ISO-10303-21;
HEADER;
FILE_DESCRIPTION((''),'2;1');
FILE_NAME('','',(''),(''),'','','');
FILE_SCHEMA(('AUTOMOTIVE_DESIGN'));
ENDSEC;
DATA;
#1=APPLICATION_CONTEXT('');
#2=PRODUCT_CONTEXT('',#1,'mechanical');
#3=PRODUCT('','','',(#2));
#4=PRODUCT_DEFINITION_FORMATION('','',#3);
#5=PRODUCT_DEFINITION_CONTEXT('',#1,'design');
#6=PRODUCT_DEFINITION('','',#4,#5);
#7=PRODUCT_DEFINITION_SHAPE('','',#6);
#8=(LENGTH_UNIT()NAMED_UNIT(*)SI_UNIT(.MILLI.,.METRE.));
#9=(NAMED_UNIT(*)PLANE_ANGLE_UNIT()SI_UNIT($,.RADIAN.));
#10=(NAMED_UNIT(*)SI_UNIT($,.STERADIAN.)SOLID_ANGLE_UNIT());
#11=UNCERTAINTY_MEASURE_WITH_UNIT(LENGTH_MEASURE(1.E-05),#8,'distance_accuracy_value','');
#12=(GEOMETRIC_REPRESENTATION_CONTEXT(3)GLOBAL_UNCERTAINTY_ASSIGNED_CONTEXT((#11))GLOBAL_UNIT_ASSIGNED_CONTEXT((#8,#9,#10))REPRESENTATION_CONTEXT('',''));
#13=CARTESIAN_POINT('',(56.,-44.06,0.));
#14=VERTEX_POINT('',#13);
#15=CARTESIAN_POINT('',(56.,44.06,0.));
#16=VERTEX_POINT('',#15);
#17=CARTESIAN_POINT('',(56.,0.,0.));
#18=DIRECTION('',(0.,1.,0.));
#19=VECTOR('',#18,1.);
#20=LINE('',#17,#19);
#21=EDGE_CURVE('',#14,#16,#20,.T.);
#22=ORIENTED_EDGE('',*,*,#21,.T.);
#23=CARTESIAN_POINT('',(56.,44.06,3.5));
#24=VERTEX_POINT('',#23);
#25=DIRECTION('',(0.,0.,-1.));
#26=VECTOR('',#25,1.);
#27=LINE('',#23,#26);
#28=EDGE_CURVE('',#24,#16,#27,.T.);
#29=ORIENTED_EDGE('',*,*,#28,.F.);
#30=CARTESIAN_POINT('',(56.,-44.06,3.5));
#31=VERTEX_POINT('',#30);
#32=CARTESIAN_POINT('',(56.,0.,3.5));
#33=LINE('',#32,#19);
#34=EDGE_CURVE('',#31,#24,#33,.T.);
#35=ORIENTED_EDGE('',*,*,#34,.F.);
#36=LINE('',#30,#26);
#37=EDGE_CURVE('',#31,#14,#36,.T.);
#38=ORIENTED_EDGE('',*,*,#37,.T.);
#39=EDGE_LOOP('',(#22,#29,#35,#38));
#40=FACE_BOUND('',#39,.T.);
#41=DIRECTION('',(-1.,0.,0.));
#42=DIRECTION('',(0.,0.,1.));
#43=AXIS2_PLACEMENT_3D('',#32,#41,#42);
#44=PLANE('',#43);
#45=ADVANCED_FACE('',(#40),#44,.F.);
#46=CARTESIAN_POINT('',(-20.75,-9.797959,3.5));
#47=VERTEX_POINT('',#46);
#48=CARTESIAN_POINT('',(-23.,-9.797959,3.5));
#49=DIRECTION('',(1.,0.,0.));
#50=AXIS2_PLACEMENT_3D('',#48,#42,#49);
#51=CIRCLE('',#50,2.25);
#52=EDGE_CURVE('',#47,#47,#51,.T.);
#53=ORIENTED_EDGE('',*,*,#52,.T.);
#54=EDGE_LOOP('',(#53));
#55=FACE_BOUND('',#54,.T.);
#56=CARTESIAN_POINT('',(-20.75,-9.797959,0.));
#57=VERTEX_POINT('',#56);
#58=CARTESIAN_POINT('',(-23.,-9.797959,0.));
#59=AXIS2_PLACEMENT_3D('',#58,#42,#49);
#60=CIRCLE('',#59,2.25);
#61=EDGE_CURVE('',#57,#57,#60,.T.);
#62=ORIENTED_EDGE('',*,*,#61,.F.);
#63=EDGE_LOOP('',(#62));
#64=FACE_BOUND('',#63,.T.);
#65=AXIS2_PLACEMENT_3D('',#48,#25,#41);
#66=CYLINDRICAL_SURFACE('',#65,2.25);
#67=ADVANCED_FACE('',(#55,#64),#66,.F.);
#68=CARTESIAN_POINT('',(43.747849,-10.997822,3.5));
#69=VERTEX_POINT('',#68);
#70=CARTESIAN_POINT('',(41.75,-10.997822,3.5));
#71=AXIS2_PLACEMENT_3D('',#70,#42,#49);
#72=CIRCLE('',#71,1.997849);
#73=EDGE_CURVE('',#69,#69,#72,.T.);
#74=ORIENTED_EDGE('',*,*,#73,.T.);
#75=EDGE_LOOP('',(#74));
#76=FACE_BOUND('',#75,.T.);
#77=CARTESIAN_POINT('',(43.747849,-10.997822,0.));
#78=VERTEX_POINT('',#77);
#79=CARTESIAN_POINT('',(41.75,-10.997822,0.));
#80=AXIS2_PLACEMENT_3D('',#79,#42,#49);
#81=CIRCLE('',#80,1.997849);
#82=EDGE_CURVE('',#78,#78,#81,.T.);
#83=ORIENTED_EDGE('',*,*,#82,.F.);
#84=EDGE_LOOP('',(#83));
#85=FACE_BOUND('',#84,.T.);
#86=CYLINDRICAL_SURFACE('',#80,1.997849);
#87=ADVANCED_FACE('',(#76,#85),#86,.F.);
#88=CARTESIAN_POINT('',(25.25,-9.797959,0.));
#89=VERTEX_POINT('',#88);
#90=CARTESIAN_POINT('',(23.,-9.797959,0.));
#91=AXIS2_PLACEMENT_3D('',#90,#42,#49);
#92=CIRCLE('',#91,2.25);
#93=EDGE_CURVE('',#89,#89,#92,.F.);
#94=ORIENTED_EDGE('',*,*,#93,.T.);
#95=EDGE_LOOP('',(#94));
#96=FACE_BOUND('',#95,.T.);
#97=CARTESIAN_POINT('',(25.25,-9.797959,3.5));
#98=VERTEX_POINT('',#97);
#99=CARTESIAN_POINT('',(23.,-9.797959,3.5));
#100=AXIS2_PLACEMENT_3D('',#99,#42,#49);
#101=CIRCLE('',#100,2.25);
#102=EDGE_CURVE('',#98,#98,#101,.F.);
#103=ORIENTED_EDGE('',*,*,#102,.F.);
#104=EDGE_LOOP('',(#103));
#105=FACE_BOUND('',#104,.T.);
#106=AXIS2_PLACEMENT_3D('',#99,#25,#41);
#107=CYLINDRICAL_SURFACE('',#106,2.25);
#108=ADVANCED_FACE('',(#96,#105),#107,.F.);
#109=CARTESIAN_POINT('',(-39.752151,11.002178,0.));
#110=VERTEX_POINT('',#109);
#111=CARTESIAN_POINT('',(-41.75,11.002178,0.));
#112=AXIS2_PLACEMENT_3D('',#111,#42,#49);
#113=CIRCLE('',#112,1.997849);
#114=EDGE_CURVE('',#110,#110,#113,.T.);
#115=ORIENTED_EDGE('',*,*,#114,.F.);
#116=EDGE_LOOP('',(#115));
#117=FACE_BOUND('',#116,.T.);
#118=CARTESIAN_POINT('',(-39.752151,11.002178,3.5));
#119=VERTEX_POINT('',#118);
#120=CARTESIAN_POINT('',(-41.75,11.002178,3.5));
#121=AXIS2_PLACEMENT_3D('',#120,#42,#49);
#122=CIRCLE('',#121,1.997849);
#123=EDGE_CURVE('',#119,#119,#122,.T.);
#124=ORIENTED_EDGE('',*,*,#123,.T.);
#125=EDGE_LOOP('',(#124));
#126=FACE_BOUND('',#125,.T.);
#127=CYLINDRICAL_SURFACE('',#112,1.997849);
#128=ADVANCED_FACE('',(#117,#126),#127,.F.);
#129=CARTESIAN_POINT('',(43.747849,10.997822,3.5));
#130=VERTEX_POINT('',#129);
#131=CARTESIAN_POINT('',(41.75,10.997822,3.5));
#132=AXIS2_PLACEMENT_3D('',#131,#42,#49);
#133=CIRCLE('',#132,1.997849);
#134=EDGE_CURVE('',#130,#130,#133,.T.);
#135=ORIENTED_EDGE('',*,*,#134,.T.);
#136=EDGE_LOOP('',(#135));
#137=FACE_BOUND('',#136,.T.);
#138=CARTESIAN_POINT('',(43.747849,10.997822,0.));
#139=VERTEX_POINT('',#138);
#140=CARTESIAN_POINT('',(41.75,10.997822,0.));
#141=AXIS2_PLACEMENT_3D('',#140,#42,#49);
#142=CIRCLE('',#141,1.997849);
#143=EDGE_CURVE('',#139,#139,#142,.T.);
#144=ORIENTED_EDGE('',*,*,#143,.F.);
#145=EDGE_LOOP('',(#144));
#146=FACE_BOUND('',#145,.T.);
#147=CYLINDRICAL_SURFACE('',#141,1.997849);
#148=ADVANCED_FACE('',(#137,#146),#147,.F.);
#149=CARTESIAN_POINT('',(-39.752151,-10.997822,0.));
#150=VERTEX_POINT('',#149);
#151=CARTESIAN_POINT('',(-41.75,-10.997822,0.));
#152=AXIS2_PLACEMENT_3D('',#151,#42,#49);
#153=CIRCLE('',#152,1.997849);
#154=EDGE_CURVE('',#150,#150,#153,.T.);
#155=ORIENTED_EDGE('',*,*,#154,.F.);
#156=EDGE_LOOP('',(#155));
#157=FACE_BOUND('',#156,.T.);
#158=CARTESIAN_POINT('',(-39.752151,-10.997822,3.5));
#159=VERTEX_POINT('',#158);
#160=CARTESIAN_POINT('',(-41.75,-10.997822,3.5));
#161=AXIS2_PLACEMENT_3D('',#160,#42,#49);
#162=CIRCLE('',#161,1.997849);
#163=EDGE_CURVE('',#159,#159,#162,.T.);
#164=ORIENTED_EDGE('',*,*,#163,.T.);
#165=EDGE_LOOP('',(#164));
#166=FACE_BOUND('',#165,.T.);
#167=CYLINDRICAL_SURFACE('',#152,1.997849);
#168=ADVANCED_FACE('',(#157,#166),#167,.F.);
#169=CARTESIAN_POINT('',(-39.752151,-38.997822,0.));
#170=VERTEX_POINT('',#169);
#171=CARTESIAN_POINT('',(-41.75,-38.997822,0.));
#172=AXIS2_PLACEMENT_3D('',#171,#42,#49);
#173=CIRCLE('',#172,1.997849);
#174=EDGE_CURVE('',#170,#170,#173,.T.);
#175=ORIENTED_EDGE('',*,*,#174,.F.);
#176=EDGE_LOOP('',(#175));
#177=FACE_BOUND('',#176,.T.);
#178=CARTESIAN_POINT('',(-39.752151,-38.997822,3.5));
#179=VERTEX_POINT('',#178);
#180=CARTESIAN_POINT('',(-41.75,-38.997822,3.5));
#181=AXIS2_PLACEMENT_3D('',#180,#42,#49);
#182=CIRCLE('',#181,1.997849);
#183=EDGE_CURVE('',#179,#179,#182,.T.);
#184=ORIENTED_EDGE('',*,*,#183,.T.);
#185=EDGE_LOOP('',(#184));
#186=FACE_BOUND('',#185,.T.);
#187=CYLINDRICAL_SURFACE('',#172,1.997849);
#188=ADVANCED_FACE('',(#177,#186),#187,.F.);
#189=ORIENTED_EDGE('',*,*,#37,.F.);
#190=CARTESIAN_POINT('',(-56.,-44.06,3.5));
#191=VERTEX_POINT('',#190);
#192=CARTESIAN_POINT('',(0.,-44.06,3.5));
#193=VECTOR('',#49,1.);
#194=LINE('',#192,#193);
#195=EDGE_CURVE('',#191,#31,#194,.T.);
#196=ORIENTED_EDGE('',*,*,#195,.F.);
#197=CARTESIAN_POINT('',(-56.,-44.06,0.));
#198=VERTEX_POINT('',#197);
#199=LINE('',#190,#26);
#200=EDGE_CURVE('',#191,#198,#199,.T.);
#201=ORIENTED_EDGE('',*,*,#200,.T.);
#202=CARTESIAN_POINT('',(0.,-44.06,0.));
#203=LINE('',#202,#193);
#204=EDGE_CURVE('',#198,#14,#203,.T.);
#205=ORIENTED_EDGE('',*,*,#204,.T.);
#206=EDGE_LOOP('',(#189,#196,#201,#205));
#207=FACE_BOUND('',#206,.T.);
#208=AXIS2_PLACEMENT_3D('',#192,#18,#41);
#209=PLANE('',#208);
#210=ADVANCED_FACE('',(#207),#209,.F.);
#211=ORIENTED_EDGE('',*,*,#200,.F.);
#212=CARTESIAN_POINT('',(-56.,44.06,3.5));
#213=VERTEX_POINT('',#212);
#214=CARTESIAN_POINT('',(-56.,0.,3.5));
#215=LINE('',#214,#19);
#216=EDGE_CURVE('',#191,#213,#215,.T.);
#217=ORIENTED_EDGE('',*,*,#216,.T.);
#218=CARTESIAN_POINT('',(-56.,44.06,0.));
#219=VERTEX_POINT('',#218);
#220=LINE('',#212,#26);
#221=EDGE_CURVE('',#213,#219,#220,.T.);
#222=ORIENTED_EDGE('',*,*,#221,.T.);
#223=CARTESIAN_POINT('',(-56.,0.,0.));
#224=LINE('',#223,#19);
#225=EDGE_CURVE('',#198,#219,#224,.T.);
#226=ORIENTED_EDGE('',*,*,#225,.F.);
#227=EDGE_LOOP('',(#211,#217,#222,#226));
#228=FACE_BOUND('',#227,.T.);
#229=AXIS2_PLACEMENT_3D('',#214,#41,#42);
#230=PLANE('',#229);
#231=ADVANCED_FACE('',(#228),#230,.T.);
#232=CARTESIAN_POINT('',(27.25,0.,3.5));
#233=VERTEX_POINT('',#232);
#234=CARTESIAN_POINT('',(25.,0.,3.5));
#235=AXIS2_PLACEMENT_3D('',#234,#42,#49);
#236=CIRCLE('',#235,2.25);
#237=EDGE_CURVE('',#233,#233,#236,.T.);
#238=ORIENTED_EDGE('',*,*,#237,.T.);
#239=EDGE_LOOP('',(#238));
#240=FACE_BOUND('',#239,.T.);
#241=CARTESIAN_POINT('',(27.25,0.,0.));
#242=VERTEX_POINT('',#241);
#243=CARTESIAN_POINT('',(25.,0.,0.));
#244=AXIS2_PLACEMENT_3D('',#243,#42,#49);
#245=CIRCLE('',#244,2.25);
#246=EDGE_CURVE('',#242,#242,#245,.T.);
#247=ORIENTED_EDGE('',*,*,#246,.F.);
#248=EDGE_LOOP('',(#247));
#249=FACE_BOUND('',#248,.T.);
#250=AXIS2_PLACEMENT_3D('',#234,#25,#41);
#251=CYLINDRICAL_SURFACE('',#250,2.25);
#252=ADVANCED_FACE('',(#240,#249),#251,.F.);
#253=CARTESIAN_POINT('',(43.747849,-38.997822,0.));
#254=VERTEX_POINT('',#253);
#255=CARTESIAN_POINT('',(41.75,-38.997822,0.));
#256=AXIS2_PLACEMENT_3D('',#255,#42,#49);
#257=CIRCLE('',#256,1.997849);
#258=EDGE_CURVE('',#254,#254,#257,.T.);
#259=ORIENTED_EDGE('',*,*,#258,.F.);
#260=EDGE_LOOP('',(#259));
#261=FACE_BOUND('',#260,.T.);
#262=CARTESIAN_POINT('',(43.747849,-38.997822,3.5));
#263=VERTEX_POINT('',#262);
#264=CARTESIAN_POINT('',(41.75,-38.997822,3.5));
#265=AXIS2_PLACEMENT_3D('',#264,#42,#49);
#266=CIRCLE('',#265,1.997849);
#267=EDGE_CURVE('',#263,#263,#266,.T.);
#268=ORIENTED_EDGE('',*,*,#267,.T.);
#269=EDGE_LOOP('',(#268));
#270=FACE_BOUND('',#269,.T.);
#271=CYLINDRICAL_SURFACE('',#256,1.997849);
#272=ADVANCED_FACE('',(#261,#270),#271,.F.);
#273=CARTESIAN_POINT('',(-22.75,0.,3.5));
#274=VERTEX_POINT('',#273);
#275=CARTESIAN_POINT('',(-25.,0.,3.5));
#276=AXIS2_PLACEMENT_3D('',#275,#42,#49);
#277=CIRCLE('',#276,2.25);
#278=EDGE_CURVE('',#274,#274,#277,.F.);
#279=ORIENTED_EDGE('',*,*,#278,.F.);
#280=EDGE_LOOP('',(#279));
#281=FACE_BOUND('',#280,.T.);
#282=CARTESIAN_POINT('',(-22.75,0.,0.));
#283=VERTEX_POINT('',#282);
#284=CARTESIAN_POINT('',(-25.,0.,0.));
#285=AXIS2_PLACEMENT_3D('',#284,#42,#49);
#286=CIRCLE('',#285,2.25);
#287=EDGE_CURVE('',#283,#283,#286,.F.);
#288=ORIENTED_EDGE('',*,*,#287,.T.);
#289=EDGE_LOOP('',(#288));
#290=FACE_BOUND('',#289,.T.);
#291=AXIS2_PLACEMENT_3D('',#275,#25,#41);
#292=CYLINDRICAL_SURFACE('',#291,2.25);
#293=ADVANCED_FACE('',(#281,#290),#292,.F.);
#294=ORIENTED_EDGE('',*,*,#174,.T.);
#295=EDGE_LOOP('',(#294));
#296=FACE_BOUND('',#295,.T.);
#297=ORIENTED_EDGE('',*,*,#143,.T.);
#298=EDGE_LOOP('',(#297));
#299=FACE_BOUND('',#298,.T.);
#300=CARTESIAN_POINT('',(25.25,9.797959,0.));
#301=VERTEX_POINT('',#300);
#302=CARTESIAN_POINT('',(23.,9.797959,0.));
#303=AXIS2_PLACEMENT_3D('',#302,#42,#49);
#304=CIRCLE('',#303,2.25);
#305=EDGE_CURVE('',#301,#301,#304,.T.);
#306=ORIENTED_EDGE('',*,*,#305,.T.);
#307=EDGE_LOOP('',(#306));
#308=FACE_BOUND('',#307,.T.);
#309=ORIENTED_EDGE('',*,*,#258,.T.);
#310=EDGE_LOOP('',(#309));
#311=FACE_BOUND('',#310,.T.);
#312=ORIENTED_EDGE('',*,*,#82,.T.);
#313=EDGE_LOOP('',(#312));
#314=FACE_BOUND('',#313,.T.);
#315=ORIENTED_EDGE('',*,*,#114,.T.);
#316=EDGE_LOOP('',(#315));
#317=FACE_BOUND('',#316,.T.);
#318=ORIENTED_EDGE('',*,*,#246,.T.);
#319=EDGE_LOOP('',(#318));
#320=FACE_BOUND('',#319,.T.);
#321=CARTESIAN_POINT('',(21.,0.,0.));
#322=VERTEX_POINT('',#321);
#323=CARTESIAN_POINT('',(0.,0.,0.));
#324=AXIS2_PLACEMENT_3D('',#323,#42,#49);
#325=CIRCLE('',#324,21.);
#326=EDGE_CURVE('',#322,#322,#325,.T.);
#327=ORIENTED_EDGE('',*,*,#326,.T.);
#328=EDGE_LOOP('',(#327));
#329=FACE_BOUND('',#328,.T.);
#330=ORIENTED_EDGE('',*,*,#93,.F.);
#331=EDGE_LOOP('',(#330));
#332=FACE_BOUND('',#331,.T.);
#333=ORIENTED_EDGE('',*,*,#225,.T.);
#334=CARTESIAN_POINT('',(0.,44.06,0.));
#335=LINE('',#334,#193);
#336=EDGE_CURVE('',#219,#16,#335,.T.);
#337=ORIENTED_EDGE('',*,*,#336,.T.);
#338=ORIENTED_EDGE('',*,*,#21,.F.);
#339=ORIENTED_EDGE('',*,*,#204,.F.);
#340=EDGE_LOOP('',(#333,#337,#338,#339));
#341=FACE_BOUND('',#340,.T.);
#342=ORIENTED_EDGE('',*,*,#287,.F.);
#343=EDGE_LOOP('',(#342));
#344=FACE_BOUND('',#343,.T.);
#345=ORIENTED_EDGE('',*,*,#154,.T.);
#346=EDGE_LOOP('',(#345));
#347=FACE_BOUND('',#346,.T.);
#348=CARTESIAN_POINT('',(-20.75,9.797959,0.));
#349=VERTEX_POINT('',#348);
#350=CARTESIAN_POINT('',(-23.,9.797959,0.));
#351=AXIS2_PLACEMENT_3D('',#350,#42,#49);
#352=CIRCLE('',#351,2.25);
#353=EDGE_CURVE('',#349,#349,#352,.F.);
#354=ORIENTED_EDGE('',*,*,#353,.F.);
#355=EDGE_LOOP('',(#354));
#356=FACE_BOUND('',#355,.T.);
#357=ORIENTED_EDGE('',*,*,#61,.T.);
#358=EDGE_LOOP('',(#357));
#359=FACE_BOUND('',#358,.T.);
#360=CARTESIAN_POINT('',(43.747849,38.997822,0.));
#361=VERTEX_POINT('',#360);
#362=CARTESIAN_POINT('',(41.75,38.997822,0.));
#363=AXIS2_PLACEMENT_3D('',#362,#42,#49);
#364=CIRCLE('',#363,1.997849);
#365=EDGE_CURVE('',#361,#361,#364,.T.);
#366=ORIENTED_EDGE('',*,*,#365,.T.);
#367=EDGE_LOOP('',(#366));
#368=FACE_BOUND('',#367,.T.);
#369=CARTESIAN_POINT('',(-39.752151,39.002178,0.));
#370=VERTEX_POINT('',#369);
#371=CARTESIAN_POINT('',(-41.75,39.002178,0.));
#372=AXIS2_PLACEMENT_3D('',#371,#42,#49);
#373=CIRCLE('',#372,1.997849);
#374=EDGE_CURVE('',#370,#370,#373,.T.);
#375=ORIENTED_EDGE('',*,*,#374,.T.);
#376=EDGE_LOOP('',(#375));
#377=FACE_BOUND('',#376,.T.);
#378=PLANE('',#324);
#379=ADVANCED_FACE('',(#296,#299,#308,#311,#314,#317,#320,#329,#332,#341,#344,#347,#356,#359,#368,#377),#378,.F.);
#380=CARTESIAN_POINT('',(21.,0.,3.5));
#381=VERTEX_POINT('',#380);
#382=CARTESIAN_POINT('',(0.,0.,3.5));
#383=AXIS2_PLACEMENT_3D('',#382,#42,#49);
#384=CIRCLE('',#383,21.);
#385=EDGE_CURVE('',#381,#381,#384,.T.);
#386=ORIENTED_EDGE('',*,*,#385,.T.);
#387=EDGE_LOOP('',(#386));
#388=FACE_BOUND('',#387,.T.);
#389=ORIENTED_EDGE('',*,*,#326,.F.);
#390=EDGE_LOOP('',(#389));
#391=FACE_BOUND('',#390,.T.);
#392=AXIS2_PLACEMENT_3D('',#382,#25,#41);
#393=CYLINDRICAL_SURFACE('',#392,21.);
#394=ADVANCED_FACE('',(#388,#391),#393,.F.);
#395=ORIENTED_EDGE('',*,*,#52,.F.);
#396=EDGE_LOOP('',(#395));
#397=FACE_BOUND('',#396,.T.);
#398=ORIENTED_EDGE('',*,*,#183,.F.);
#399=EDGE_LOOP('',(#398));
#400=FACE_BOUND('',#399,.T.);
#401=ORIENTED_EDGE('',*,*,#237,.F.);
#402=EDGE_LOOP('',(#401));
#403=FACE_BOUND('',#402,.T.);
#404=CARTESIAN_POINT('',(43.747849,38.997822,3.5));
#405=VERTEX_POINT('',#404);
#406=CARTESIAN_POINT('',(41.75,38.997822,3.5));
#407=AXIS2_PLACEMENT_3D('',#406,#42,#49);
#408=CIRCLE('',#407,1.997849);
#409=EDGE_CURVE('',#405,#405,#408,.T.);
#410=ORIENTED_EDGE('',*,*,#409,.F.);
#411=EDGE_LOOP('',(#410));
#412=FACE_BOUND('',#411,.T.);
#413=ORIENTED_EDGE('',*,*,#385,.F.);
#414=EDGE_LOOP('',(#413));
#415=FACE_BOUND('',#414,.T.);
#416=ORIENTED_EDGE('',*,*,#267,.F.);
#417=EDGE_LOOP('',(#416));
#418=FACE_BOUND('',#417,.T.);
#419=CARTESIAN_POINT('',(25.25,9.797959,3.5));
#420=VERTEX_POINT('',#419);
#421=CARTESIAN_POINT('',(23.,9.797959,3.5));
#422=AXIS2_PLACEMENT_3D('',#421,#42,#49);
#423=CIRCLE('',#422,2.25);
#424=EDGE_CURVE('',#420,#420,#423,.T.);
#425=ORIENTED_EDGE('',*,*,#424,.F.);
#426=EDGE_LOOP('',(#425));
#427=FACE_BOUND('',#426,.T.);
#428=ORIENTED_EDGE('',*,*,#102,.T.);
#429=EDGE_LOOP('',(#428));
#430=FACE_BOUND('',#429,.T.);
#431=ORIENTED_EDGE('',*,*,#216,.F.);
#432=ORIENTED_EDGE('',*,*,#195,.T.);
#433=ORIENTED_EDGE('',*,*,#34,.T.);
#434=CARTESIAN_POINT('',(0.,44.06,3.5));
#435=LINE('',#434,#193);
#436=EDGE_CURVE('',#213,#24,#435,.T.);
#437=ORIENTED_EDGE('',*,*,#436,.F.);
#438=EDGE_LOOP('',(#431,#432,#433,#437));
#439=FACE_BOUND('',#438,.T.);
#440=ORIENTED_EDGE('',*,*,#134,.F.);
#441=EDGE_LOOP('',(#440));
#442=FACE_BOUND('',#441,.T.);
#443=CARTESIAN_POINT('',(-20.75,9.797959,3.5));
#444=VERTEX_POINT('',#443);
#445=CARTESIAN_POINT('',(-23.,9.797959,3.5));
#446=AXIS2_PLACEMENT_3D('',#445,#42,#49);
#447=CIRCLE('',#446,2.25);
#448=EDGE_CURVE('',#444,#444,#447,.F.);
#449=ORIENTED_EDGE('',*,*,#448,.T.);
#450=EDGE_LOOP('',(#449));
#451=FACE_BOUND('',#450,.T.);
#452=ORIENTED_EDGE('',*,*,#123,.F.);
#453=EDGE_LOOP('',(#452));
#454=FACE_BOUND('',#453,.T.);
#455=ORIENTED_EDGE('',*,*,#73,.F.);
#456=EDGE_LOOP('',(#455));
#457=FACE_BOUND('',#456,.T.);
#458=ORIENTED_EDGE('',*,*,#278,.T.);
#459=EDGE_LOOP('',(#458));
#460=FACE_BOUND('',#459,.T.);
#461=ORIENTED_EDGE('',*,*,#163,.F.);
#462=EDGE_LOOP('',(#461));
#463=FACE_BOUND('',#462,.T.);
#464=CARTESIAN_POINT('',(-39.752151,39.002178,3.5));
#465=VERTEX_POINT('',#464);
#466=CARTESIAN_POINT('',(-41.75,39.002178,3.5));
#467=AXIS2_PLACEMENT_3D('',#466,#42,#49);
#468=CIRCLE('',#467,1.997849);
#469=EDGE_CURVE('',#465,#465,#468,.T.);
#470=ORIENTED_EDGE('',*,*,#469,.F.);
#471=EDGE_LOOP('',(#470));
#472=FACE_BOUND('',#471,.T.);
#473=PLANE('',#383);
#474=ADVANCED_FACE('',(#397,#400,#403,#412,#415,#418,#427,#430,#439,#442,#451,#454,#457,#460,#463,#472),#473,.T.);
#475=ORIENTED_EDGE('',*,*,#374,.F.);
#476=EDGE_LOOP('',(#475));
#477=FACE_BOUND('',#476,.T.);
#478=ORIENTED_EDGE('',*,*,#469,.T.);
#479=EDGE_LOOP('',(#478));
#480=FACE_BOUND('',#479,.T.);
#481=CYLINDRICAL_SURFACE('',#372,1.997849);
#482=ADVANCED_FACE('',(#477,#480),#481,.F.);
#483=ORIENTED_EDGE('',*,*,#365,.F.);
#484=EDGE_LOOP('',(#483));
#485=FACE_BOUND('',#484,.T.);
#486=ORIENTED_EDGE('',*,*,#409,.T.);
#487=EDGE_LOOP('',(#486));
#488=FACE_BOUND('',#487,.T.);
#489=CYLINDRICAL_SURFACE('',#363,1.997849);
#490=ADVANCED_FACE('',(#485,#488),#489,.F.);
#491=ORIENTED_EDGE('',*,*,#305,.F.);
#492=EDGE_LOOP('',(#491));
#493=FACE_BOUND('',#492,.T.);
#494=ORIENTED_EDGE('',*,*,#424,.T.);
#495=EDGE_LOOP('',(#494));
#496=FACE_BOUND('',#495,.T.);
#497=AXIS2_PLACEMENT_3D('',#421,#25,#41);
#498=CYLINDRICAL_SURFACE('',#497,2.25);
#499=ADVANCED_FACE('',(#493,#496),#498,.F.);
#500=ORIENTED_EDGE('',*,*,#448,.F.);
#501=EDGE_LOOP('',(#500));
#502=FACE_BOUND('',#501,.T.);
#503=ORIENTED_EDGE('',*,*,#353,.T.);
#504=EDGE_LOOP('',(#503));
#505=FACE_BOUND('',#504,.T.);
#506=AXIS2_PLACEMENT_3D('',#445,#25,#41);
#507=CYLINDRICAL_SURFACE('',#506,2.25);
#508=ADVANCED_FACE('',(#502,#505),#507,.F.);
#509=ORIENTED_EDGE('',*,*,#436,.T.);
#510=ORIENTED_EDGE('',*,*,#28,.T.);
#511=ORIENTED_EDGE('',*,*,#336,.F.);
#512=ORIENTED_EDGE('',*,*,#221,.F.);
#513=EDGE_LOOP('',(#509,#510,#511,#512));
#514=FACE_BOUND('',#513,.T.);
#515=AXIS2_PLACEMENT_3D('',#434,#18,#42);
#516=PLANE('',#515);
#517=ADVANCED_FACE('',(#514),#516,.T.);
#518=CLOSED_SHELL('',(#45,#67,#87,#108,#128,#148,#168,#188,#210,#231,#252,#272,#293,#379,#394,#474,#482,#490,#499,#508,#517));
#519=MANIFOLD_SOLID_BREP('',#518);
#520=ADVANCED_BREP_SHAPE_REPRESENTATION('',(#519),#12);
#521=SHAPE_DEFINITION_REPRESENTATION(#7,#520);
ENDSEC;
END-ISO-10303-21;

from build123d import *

# Parameters (mm, degrees)
SKETCH1_W           = 112
SKETCH1_H           = 88.12
SKETCH1_R           = 21
SKETCH1_R_2         = 2.25
BOSS_EXTRUDE1_DEPTH = 3.5
SKETCH2_R           = 1.997849158
SKETCH2_R_2         = 1.997849136
SKETCH2_R_3         = 1.997849041
SKETCH2_R_4         = 1.99784915
CUT_EXTRUDE1_DEPTH  = 3.5


with BuildPart() as part:
    # Sketch1 → Boss-Extrude1 (new body)
    with BuildSketch(Plane.XY):
        Rectangle(SKETCH1_W, SKETCH1_H)
        Circle(SKETCH1_R, mode=Mode.SUBTRACT)
        with Locations((25, 0)):
            Circle(SKETCH1_R_2, mode=Mode.SUBTRACT)
        with Locations((23, 9.797958971)):
            Circle(SKETCH1_R_2, mode=Mode.SUBTRACT)
        with Locations((23, -9.797958971)):
            Circle(SKETCH1_R_2, mode=Mode.SUBTRACT)
        with Locations((-23, 9.797958971)):
            Circle(SKETCH1_R_2, mode=Mode.SUBTRACT)
        with Locations((-25, 0)):
            Circle(SKETCH1_R_2, mode=Mode.SUBTRACT)
        with Locations((-23, -9.797958971)):
            Circle(SKETCH1_R_2, mode=Mode.SUBTRACT)
    extrude(amount=BOSS_EXTRUDE1_DEPTH)

    # Sketch2 → Cut-Extrude1 (cut)
    with BuildSketch(Plane.XY.offset(3.5)):
        with Locations((-41.749999967, 11.002177996)):
            Circle(SKETCH2_R)
        with Locations((41.750000033, 38.997821996)):
            Circle(SKETCH2_R)
        with Locations((-41.749999967, 39.002177996)):
            Circle(SKETCH2_R)
        with Locations((41.750000033, 10.997821996)):
            Circle(SKETCH2_R)
        with Locations((41.75, -10.997822003)):
            Circle(SKETCH2_R_2)
        with Locations((41.75, -38.997822003)):
            Circle(SKETCH2_R_2)
        with Locations((-41.749999857, -38.997821959)):
            Circle(SKETCH2_R_3)
        with Locations((-41.749999952, -10.997822035)):
            Circle(SKETCH2_R_4)
    extrude(amount=-CUT_EXTRUDE1_DEPTH, mode=Mode.SUBTRACT)


solid = part.part
